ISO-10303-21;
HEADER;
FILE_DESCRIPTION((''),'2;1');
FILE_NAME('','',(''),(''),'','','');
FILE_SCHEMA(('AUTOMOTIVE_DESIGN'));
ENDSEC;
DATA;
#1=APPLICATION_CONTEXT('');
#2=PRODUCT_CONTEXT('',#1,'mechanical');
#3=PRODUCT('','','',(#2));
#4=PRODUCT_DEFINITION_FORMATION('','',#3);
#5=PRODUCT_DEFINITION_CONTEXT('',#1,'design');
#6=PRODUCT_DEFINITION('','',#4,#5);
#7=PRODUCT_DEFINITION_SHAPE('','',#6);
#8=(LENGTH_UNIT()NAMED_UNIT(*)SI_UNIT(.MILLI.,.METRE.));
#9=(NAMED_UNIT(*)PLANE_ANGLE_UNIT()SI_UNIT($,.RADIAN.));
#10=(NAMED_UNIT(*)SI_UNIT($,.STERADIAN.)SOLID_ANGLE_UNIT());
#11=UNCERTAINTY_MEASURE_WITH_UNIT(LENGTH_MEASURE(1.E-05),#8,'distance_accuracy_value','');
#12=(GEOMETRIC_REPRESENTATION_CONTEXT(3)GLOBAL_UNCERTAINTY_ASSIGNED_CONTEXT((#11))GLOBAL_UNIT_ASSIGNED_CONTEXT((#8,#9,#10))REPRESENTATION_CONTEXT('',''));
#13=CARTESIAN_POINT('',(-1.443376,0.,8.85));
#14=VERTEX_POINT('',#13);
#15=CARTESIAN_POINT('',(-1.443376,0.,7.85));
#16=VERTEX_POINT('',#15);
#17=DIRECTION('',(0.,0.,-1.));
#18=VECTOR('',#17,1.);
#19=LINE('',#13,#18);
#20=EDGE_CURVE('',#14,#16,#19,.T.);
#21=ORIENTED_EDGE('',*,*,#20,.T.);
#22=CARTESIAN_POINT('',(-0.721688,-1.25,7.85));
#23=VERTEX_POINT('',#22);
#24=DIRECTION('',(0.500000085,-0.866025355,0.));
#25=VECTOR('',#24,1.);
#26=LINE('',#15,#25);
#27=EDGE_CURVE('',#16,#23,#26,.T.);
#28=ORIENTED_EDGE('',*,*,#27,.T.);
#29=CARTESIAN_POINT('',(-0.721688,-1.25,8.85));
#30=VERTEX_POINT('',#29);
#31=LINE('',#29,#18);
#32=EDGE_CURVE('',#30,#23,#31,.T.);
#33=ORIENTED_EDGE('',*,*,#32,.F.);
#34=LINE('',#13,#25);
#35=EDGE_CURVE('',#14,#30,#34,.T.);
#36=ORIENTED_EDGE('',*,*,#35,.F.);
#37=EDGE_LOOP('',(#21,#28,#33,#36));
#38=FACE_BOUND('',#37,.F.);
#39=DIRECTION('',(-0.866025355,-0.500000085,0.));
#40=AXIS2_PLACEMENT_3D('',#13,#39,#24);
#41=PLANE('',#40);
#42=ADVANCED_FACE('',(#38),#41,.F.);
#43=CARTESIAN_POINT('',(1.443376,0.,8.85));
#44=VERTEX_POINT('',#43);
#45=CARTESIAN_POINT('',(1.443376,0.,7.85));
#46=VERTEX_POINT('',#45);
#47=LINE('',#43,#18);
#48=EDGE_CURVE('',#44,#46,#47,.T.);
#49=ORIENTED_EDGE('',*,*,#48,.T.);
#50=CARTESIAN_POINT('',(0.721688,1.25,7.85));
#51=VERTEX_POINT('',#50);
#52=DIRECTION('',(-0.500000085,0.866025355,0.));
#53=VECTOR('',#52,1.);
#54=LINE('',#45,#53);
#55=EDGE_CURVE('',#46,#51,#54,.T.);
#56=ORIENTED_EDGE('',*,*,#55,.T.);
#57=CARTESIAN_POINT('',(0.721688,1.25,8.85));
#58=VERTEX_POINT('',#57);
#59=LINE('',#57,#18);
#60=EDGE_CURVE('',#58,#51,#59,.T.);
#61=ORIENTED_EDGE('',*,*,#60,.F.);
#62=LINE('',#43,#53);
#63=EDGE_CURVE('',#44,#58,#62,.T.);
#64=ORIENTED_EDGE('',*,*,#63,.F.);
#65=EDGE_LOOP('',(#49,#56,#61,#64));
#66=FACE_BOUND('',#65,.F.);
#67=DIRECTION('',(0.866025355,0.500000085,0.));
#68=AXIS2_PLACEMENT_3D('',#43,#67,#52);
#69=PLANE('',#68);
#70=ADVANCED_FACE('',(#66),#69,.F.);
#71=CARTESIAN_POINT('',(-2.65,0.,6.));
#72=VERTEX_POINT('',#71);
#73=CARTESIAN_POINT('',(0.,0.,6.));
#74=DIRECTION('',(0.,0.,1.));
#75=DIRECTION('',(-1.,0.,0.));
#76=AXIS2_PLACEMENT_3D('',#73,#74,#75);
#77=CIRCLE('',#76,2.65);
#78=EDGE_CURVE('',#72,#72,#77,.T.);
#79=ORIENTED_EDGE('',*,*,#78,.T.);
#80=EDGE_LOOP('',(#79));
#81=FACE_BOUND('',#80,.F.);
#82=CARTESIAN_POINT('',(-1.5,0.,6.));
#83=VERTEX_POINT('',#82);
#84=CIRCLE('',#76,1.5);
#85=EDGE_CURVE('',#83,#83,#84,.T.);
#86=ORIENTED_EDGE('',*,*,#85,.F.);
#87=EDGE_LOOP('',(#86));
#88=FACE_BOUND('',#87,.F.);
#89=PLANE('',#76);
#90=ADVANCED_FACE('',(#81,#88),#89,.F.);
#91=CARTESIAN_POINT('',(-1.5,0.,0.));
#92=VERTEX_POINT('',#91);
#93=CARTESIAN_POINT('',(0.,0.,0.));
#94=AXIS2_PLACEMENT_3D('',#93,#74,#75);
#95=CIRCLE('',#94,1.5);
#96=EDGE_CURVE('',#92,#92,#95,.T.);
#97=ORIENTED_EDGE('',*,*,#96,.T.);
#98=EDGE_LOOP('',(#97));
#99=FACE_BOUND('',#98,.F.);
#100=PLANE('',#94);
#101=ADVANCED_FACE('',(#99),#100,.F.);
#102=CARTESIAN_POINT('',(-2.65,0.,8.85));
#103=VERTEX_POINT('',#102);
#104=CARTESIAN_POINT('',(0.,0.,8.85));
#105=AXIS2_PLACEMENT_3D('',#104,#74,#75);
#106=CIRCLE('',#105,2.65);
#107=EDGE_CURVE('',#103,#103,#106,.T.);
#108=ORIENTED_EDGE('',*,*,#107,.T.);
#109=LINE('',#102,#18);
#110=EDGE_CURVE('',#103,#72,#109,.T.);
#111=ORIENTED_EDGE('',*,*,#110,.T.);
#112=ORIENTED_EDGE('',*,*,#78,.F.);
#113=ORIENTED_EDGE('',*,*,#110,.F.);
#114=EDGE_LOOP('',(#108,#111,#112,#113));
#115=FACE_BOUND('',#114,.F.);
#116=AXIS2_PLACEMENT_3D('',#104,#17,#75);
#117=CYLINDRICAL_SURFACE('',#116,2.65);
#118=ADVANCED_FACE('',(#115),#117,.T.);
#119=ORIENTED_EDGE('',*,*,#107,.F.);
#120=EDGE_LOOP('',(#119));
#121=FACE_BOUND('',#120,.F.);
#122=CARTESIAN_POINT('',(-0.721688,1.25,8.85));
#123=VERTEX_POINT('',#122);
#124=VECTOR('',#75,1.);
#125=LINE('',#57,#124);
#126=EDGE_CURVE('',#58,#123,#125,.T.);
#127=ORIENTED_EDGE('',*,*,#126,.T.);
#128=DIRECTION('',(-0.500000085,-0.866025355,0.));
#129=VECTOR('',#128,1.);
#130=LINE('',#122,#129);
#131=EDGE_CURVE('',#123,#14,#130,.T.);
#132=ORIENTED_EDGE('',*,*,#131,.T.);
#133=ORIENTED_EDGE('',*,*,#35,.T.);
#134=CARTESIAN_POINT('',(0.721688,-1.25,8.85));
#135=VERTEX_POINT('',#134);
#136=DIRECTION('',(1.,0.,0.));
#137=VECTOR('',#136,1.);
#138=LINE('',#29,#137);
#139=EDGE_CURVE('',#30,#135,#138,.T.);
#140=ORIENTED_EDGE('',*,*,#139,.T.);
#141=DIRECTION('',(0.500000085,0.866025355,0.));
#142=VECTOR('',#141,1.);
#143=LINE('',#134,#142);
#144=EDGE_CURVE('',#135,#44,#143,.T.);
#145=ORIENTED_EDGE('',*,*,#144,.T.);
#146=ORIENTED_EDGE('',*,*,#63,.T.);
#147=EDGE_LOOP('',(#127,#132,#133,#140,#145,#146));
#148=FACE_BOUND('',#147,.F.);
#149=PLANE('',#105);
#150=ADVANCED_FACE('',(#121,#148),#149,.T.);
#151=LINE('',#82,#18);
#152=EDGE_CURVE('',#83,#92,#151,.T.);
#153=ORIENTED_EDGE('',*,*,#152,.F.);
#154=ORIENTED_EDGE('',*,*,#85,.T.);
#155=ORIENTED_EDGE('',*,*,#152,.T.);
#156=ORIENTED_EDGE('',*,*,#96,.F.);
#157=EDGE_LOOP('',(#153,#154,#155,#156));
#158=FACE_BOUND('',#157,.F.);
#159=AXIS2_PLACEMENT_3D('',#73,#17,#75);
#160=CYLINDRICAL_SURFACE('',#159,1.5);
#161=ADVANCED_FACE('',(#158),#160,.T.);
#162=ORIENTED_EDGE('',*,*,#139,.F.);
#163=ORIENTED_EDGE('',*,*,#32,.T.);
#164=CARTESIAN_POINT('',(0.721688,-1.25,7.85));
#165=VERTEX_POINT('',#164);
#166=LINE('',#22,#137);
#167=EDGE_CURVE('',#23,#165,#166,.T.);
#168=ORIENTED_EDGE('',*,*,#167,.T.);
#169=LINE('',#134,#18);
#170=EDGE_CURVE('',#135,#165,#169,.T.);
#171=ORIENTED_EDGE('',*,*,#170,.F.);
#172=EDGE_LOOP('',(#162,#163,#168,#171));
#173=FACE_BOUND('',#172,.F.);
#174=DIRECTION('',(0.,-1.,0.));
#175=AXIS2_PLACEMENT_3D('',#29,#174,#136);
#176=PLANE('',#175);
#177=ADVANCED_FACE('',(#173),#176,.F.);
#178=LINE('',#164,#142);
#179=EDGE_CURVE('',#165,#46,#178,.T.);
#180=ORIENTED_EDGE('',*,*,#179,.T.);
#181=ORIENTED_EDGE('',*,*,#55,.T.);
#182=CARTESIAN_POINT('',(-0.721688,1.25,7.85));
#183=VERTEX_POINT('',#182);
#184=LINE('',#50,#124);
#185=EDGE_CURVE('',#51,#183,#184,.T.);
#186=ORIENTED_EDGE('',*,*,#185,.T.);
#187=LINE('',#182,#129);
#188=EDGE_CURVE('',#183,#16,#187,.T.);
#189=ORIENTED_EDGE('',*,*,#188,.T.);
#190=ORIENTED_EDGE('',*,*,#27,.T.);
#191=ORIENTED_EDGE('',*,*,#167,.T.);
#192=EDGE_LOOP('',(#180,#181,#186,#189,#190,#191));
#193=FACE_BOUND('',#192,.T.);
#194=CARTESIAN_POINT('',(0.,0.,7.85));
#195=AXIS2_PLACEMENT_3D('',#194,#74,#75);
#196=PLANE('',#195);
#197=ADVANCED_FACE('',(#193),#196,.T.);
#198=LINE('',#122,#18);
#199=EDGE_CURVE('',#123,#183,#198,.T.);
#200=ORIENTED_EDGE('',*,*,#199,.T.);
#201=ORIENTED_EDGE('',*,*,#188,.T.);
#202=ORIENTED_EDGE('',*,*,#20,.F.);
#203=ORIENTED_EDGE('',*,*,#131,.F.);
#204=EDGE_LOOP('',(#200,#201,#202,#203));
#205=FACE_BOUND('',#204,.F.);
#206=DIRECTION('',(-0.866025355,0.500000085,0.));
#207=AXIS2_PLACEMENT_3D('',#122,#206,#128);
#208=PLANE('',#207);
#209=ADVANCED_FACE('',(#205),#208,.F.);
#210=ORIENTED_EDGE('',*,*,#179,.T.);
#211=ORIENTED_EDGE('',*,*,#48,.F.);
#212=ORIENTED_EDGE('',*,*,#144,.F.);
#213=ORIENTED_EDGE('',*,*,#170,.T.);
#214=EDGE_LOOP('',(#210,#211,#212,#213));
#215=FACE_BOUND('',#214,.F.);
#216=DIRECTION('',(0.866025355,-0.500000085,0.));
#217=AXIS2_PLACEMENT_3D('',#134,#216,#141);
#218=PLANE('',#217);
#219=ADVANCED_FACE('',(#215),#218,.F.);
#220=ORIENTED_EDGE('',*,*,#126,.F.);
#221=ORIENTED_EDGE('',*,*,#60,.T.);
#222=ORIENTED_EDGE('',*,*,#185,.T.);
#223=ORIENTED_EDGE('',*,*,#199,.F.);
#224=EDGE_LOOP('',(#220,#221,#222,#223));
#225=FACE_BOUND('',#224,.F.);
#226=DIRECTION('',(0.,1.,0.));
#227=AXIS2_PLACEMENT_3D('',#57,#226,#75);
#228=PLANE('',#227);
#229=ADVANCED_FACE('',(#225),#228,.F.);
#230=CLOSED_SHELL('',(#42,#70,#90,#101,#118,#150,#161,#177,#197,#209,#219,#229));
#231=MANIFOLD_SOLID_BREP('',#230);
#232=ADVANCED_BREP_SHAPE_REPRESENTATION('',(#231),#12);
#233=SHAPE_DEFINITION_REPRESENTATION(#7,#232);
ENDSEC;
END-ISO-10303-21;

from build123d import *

# Parameters (mm, degrees)
POCKET_DEPTH = 1


with BuildPart() as part:
    # Sketch → Revolution (revolve)
    with BuildSketch(Plane.XZ):
        Polygon((0, 8.85), (-2.65, 8.85), (-2.65, 6), (-1.5, 6), (-1.5, 0), (0, 0), align=None)
    revolve(axis=Axis((0, 0, 0), (0, 0, 1)))

    # Sketch001 (on Face1 of Revolution) → Pocket (cut)
    with BuildSketch(Plane(origin=(0, 0, 8.85), x_dir=(-1, 0, 0), z_dir=(0, 0, 1))):
        Polygon((0.721688, 1.25), (-0.721688, 1.25), (-1.443376, 0), (-0.721688, -1.25), (0.721688, -1.25), (1.443376, 0), align=None)
    extrude(amount=-POCKET_DEPTH, mode=Mode.SUBTRACT)


solid = part.part
